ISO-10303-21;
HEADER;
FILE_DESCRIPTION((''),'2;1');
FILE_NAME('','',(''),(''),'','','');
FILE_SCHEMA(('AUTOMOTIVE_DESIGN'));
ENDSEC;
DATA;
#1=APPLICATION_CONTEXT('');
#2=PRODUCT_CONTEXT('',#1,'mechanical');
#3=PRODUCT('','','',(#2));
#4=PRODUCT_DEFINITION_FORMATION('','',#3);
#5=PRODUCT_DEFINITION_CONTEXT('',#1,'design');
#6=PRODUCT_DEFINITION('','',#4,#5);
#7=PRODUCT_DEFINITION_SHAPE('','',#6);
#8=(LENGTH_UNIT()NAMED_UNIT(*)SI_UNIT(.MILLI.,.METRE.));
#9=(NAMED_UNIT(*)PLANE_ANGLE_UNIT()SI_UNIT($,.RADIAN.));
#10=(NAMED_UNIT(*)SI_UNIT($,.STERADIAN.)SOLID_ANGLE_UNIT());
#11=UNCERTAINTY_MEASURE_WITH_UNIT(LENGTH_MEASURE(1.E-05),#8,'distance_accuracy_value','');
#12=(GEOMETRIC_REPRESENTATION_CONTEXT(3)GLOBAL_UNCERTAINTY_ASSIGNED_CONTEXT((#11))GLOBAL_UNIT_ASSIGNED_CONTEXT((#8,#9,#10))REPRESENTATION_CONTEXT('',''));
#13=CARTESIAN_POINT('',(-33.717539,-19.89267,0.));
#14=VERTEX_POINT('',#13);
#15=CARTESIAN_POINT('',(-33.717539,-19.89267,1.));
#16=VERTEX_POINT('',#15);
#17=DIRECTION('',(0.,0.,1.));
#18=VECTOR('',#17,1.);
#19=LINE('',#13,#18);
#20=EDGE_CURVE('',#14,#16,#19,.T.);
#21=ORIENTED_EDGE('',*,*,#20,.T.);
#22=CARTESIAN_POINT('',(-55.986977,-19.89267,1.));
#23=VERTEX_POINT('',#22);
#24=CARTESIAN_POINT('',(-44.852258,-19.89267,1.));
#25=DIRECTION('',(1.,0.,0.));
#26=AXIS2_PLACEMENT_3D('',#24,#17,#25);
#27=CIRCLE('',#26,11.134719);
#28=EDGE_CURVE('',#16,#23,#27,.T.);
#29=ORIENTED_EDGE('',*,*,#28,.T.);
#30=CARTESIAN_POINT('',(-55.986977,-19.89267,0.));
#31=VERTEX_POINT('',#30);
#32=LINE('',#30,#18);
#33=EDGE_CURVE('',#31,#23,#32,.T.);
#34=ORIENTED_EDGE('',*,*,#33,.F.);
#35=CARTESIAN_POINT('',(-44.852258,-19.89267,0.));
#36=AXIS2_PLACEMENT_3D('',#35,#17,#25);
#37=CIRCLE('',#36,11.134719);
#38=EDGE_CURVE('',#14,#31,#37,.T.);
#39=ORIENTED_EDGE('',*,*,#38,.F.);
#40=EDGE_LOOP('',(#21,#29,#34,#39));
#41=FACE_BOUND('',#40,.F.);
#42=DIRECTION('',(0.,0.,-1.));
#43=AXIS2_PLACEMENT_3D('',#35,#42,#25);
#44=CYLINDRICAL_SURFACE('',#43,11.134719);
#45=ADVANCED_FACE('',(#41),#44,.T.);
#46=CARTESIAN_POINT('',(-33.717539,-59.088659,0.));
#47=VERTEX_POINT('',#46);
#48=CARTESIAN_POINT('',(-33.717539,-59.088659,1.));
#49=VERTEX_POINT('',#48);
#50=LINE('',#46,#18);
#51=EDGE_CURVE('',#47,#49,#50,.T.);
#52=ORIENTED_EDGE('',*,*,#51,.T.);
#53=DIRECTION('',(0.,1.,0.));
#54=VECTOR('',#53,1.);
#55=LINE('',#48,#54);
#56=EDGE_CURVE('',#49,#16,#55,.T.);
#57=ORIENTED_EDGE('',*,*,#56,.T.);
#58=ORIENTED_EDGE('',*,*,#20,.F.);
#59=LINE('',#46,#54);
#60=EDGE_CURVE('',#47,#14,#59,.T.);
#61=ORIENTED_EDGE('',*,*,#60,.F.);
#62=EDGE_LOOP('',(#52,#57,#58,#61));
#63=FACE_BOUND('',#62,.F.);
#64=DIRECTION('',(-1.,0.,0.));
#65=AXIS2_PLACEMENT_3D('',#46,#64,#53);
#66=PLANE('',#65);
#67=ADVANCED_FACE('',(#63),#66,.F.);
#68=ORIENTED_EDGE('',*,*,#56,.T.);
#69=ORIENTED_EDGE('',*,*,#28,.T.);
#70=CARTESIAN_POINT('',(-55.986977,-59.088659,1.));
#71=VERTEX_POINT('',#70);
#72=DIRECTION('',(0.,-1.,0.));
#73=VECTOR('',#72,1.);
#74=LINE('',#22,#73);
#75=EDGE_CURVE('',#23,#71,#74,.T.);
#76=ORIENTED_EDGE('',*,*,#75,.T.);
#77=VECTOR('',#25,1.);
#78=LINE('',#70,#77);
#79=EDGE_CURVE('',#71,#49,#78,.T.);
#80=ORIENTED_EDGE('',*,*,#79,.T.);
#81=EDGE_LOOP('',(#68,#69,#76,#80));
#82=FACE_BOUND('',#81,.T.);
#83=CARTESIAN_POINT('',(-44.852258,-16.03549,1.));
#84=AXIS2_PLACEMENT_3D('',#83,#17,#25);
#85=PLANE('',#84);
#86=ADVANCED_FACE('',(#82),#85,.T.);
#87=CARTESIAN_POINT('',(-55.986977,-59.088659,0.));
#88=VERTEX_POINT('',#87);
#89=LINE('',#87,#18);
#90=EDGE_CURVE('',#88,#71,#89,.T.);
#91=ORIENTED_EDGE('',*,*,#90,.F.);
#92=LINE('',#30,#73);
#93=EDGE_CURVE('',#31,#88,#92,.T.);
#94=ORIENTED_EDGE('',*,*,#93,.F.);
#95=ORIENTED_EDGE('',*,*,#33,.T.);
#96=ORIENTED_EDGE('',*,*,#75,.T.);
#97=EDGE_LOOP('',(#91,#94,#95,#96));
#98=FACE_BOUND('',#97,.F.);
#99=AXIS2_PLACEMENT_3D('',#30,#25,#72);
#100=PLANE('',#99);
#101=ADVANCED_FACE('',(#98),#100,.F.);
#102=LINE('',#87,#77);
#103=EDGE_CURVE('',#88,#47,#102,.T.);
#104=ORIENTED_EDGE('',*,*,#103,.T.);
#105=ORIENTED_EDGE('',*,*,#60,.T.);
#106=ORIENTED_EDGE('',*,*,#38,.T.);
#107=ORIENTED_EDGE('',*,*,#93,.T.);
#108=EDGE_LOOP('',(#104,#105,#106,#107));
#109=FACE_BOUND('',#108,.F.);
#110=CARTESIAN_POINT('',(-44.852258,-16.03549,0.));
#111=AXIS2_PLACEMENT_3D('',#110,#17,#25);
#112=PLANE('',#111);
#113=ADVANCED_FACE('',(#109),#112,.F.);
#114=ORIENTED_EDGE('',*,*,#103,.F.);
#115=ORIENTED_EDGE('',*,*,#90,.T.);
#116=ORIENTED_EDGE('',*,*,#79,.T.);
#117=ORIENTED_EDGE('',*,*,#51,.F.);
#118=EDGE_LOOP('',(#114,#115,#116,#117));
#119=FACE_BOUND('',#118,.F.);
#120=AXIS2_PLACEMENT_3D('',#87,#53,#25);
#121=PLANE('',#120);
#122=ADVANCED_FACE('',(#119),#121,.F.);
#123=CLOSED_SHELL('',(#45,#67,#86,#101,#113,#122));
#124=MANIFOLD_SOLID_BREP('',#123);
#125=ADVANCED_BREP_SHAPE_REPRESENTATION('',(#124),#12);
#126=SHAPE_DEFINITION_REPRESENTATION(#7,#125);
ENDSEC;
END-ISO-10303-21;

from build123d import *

# Parameters (mm, degrees)
F1_DEPTH = 1


with BuildPart() as f1:
    # F0 (on Top) → F1 (new body)
    with BuildSketch(Plane.XY):
        with BuildLine():
            Line((-55.986977237, -19.8926702092), (-33.7175389616, -19.8926702092))
            ThreePointArc((-33.7175389616, -19.8926702092), (-44.8522580993, -8.7579510716), (-55.986977237, -19.8926702092))
        make_face()
        with BuildLine():
            Line((-33.7175389616, -59.0886585414), (-33.7175389616, -19.8926702092))
            ThreePointArc((-33.7175389616, -19.8926702092), (-44.8522580993, -31.0273893469), (-55.986977237, -19.8926702092))
            Line((-55.986977237, -19.8926702092), (-55.986977237, -59.0886585414))
            Line((-55.986977237, -59.0886585414), (-33.7175389616, -59.0886585414))
        make_face()
        with BuildLine():
            ThreePointArc((-55.986977237, -19.8926702092), (-44.8522580993, -31.0273893469), (-33.7175389616, -19.8926702092))
            Line((-33.7175389616, -19.8926702092), (-55.986977237, -19.8926702092))
        make_face()
    extrude(amount=F1_DEPTH)


solid = f1.part
